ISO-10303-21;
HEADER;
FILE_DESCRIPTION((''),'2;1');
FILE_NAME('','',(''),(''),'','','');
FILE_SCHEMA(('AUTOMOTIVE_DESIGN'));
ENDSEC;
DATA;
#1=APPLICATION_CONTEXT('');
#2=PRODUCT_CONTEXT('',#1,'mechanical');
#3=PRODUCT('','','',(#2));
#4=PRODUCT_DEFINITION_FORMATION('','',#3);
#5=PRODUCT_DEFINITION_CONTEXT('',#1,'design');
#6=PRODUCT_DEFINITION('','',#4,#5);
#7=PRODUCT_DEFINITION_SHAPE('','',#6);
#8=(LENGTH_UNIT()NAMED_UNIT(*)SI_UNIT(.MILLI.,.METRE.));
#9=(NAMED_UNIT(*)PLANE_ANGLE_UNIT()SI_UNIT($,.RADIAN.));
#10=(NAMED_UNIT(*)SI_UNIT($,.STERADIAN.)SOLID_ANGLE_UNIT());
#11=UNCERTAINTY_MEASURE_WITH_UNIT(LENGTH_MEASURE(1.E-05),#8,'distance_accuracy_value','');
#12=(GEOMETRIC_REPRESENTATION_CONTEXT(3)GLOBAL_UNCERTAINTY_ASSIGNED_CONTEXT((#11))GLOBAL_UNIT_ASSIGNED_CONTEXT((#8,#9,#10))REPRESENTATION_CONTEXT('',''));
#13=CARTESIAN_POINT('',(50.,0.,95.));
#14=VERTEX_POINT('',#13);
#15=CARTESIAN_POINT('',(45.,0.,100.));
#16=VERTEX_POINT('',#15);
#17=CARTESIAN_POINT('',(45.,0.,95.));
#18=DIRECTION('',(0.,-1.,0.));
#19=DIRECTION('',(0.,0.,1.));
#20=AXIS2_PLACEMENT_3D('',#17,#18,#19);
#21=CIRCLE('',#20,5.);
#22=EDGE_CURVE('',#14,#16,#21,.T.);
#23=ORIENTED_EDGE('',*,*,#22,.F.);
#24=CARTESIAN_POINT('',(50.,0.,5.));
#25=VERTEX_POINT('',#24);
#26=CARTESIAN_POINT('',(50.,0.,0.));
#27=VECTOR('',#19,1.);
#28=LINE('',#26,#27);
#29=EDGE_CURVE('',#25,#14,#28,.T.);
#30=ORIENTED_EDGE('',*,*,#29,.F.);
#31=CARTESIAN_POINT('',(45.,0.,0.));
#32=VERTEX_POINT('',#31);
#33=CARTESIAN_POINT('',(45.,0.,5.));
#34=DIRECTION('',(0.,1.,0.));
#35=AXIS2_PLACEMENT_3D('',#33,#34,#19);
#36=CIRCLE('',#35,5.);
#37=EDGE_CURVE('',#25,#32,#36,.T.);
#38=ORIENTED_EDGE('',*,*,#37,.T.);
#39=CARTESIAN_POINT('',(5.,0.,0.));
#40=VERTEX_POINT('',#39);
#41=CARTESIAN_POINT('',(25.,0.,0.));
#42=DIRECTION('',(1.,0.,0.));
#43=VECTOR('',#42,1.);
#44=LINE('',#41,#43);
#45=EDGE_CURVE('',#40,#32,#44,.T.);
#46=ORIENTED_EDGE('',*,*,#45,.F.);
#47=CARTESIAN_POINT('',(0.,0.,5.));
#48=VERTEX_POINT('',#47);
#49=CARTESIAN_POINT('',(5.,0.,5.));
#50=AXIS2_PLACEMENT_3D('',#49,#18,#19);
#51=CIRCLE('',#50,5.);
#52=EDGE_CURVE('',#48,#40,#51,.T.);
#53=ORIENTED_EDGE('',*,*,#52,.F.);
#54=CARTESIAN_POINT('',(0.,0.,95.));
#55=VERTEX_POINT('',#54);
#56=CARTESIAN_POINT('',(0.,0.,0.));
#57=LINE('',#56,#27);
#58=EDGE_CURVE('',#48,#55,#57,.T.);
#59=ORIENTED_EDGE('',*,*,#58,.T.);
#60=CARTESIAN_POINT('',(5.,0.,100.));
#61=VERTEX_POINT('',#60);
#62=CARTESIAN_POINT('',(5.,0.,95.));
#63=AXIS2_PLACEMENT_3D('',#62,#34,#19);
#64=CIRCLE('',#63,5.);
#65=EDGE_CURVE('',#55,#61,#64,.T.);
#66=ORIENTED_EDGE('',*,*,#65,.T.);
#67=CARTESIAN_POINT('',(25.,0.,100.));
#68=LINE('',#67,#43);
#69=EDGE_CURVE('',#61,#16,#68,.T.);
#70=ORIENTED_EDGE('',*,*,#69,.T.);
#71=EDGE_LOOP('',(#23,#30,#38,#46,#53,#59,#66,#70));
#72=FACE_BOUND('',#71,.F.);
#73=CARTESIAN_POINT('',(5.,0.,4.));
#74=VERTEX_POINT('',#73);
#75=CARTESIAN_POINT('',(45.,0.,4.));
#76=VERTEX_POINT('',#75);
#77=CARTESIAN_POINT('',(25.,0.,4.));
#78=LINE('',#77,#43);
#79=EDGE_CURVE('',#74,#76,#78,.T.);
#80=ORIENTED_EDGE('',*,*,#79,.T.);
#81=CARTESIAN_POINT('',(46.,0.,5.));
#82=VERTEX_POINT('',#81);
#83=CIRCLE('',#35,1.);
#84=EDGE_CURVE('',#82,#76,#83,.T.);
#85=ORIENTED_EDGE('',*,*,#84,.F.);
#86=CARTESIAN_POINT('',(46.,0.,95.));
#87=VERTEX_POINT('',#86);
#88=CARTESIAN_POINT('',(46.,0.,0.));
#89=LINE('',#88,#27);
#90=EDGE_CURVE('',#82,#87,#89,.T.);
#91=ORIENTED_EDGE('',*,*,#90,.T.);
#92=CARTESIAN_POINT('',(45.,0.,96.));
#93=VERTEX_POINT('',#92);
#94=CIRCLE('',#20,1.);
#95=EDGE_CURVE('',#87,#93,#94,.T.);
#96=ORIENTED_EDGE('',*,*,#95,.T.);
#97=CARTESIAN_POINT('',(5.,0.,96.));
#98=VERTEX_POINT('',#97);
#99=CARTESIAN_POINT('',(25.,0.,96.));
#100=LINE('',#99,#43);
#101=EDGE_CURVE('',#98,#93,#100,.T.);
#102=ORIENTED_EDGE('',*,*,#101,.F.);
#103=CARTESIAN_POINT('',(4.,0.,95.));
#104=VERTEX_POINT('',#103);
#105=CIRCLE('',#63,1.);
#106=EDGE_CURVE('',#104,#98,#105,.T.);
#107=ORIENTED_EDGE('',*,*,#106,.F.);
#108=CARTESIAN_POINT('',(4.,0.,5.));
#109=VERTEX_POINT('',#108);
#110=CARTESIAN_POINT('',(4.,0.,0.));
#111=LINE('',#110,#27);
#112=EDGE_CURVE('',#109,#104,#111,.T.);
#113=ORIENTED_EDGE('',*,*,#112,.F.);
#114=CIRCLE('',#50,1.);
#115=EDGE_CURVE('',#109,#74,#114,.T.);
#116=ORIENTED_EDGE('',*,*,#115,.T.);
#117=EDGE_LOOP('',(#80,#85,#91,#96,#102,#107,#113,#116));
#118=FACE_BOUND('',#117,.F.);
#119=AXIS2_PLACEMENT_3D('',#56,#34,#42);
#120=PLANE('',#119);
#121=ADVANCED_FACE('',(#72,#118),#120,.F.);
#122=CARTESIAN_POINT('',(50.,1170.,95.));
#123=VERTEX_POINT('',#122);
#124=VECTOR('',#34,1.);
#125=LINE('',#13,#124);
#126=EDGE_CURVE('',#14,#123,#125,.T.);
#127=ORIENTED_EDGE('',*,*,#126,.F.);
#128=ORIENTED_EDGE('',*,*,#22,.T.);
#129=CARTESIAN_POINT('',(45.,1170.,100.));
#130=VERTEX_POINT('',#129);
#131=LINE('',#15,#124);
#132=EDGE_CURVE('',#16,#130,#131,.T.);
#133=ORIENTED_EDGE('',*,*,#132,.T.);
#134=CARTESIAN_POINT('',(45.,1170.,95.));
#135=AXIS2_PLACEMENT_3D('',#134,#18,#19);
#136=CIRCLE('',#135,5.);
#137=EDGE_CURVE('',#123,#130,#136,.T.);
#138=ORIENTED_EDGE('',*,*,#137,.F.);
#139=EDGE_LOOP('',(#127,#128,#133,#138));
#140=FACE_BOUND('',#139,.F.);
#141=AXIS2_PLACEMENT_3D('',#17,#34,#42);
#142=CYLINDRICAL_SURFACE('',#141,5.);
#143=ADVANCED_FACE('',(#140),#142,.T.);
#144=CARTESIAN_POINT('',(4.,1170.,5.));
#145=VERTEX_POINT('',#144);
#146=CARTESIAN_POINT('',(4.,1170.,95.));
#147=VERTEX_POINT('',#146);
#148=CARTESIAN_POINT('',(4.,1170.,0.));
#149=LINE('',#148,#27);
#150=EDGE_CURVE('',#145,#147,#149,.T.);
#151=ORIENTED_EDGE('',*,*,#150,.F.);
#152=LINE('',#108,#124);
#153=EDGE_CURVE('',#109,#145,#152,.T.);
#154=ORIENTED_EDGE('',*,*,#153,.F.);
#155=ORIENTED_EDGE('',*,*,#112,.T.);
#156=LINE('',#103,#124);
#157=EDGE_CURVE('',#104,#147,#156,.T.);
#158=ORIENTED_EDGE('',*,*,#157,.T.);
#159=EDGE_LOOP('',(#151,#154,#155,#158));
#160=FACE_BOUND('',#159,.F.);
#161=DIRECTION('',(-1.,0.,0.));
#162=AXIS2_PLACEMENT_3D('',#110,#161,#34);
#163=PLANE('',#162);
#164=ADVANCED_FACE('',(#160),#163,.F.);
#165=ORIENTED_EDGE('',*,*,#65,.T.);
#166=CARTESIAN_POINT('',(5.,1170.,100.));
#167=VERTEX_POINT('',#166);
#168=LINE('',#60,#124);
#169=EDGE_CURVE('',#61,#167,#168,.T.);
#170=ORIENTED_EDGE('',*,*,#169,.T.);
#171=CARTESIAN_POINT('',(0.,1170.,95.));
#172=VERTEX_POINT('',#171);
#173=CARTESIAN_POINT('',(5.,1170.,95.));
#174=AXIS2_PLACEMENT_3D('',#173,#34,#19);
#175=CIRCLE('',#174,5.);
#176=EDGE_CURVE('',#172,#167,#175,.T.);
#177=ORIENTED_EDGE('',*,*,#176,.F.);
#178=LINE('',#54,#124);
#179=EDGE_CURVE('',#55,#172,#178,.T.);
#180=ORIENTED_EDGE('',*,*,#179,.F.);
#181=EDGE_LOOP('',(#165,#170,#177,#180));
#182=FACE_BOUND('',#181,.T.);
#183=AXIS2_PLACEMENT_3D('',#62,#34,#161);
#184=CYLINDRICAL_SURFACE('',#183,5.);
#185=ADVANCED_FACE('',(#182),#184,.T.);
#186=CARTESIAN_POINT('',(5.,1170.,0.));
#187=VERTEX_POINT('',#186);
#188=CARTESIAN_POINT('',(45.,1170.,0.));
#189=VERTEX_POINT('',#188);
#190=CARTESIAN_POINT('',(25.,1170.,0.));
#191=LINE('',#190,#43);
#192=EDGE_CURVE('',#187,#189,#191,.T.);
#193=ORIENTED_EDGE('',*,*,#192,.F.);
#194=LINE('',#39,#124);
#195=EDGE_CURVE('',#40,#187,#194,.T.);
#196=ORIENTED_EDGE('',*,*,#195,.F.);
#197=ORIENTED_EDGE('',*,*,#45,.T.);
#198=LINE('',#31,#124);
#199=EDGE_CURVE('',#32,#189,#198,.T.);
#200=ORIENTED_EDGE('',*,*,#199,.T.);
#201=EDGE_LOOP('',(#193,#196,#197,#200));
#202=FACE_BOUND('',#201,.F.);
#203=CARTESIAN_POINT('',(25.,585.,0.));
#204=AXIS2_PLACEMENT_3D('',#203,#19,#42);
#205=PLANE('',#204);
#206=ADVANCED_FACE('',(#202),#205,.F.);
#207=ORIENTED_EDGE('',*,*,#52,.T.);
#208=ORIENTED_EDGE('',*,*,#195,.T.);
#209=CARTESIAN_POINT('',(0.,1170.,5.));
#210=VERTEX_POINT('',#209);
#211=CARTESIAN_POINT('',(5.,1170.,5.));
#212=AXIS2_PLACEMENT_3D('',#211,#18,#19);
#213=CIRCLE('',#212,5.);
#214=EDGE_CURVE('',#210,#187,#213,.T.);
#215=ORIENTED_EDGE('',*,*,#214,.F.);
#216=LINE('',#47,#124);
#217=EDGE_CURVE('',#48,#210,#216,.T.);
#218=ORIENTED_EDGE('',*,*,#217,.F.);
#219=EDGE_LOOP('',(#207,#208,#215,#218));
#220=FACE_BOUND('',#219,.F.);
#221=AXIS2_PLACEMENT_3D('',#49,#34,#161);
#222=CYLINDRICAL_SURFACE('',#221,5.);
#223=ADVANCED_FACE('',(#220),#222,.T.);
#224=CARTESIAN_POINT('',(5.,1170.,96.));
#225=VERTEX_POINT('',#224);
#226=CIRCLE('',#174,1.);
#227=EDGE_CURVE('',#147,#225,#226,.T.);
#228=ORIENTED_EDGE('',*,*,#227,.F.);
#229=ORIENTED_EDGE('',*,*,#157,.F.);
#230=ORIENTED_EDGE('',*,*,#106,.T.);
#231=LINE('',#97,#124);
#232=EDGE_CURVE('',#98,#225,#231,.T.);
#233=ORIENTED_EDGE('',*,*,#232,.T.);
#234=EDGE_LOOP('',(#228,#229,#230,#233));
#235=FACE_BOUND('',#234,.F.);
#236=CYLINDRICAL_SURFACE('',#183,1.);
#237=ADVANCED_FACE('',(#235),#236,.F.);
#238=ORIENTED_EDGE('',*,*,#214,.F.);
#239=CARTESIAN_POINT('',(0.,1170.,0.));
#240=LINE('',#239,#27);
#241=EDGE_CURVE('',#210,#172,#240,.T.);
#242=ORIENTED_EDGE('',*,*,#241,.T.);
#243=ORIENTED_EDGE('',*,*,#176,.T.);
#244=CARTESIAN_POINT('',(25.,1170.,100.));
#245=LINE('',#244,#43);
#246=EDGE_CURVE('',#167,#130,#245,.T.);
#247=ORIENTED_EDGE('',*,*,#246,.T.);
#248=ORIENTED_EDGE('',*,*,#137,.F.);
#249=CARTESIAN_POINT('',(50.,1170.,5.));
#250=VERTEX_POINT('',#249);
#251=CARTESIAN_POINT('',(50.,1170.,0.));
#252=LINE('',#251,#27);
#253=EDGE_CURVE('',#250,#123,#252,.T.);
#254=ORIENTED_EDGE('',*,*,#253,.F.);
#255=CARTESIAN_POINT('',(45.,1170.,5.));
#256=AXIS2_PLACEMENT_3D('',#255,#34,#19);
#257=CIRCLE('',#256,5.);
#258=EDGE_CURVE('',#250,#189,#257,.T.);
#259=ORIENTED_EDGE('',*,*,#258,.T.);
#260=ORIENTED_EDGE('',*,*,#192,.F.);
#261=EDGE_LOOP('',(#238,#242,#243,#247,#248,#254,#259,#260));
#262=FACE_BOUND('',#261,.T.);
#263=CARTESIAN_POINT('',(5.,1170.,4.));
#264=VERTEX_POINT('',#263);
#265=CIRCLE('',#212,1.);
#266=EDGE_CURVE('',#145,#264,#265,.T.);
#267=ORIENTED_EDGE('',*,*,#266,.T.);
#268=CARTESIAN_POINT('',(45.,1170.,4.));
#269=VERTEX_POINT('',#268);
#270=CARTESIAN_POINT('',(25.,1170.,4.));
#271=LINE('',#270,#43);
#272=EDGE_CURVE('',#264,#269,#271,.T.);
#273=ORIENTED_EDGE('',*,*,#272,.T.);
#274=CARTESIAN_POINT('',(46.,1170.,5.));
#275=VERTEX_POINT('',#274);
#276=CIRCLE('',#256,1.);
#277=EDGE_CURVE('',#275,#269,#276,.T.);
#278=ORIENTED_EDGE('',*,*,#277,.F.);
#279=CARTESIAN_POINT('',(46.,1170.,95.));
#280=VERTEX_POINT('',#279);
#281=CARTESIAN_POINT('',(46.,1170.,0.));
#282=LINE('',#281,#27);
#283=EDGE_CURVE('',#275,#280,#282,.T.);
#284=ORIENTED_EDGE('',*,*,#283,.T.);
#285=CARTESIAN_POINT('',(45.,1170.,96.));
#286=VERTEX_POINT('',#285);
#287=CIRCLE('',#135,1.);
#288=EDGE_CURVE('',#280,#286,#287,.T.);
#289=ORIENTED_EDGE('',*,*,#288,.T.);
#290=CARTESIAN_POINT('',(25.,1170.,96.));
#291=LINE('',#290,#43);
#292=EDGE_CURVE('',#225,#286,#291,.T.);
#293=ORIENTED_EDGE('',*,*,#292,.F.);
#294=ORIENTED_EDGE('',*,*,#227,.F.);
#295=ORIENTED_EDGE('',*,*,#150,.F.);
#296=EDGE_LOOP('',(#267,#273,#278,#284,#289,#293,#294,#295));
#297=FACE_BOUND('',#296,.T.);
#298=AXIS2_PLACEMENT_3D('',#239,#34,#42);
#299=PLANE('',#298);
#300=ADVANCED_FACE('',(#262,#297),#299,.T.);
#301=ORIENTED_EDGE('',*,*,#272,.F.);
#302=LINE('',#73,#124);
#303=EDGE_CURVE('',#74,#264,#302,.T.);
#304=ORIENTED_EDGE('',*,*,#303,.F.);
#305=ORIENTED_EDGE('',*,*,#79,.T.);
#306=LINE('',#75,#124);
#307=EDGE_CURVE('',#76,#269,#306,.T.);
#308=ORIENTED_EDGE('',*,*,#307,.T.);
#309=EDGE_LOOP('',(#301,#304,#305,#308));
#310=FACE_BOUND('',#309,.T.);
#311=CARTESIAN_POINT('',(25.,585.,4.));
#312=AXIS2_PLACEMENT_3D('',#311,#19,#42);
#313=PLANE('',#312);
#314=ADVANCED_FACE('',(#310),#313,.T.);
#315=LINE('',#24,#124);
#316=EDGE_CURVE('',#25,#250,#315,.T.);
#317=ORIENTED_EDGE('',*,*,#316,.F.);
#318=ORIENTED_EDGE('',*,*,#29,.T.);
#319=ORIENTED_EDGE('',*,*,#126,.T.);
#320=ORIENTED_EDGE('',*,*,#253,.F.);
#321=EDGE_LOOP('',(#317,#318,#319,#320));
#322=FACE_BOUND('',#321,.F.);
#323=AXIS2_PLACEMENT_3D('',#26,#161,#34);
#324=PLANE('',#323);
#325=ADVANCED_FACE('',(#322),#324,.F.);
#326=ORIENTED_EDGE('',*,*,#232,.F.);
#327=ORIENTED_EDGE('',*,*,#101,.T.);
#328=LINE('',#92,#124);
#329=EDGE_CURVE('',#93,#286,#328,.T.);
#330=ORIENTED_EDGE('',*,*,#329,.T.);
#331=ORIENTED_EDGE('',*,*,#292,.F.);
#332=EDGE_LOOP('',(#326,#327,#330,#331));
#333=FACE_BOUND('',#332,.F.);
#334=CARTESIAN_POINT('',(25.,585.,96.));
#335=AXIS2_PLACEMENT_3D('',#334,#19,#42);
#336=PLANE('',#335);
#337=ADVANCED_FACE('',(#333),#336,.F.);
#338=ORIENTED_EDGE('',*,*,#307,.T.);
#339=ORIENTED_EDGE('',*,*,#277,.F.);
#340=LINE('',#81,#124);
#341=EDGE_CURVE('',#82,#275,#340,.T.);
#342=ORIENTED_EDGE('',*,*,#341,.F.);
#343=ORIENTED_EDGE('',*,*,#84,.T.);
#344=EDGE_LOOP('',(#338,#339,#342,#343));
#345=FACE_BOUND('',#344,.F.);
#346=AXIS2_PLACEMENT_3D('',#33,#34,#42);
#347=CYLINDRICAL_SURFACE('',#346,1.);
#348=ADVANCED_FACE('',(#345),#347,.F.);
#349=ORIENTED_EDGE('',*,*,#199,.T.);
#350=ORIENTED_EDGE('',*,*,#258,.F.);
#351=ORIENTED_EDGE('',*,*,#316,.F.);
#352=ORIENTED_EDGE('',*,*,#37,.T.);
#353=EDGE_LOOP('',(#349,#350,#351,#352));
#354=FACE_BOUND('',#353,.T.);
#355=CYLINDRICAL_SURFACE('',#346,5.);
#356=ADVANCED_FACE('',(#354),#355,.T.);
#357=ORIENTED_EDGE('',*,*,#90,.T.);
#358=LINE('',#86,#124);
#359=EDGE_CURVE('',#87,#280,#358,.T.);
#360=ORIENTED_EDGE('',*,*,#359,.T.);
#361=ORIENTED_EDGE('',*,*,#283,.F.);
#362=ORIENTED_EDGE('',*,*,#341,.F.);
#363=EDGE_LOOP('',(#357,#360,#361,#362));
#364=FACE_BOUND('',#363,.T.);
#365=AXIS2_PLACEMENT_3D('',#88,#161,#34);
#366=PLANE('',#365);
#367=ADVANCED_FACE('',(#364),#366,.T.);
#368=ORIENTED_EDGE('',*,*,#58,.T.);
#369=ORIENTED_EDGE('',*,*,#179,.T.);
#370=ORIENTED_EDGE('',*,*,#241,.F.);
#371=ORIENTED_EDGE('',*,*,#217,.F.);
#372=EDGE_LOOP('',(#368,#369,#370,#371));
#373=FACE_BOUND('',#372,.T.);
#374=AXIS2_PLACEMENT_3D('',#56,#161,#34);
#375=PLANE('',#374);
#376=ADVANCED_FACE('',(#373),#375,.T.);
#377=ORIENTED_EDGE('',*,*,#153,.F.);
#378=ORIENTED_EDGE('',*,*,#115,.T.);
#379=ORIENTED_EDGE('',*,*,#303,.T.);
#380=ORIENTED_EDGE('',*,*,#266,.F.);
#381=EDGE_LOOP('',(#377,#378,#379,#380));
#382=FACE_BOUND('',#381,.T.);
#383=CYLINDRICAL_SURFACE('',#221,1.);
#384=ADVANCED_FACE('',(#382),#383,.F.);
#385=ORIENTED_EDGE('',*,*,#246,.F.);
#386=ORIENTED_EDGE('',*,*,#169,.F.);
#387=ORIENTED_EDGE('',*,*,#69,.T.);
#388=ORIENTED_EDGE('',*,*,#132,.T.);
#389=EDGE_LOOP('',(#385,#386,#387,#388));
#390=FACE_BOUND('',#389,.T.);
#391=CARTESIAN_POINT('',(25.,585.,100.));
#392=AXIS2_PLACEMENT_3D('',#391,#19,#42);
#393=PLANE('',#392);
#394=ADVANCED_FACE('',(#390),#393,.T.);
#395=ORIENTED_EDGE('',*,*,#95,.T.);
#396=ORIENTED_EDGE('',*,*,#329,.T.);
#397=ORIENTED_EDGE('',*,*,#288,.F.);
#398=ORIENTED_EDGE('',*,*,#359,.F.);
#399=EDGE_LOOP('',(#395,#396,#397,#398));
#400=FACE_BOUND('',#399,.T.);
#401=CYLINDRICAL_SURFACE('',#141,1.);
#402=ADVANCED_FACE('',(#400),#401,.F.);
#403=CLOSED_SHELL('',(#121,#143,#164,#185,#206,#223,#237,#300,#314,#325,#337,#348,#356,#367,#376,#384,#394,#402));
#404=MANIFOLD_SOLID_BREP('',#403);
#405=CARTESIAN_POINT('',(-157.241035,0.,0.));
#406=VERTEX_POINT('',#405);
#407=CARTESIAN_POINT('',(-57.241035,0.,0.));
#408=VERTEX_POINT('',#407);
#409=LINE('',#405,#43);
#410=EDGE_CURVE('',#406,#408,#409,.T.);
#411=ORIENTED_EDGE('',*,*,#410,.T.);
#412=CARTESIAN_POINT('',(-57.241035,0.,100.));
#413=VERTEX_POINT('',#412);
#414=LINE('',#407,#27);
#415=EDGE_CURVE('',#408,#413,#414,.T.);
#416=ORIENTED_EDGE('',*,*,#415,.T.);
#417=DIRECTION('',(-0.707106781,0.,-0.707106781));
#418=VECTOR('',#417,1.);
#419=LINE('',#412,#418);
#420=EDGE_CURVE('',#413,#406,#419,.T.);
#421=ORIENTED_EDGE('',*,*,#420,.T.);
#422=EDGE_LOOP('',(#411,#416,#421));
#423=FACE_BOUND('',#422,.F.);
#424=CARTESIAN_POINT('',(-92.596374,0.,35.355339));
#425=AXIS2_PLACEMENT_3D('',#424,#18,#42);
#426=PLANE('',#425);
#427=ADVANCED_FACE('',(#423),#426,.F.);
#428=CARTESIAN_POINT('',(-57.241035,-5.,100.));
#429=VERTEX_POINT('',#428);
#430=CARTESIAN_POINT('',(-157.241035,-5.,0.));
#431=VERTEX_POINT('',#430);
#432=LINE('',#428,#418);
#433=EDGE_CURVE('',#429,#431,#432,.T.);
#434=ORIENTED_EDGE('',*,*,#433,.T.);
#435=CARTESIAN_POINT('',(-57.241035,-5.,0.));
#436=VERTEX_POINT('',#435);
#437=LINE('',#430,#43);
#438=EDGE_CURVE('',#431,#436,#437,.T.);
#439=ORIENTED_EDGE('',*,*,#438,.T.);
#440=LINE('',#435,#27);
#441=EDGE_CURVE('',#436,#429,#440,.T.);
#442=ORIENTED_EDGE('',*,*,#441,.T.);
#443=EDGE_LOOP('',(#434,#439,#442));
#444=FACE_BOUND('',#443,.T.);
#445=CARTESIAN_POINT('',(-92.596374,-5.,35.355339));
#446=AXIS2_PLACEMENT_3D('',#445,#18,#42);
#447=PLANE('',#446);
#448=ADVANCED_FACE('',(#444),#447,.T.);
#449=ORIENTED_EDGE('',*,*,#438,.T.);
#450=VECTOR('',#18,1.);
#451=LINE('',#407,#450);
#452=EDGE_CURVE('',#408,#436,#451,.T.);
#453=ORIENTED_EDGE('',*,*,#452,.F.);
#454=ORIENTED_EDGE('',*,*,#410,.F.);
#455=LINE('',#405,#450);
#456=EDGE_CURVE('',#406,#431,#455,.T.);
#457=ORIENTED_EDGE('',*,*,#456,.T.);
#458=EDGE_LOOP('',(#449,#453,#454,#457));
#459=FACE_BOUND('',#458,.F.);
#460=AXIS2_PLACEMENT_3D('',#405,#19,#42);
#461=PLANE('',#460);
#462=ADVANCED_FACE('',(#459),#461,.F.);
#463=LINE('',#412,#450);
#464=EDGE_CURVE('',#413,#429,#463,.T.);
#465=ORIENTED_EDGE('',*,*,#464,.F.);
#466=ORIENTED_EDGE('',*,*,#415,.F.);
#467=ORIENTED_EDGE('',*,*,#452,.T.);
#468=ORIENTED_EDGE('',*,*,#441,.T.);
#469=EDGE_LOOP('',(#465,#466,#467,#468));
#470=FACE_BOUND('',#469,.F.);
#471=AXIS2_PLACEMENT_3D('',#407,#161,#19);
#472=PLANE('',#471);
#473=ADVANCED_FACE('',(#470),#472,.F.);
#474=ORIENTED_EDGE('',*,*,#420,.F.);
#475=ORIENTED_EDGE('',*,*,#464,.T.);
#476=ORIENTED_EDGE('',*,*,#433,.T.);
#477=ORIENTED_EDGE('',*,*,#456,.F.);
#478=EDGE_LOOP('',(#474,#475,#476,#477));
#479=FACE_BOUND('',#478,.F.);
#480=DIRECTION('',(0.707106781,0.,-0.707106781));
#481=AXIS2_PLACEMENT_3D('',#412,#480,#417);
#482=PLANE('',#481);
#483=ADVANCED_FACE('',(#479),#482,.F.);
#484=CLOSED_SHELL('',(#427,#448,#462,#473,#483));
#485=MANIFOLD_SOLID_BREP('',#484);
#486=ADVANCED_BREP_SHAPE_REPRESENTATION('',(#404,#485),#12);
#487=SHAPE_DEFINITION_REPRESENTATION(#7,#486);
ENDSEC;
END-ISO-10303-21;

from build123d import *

# Parameters (mm, degrees)
F0_W     = 50
F0_H     = 1170
F1_DEPTH = 100
F2_R     = 5
F3_T     = -4
F5_DEPTH = 5


with BuildPart() as f1:
    # F0 (on Top) → F1 (new body)
    with BuildSketch(Plane.XY):
        with Locations((25, 585)):
            Rectangle(F0_W, F0_H)
    extrude(amount=F1_DEPTH)

    # F2
    f2_edges = [f1.edges().sort_by_distance(p)[0] for p in [
        (50, 585, 100),
        (0, 585, 100),
        (50, 585, 0),
        (0, 585, 0),
    ]]
    fillet(f2_edges, radius=F2_R)

    # F3
    f3_openings = [f1.faces().sort_by_distance(p)[0] for p in [
        (25, 0, 50),
        (25, 1170, 50),
    ]]
    offset(amount=F3_T, openings=f3_openings)


with BuildPart() as f5:
    # F4 (on Front) → F5 (new body)
    with BuildSketch(Plane.XZ):
        Polygon((-157.241035, 0), (-57.241035, 0), (-57.241035, 100), align=None)
    extrude(amount=F5_DEPTH)


solid = Compound([f1.part, f5.part])
